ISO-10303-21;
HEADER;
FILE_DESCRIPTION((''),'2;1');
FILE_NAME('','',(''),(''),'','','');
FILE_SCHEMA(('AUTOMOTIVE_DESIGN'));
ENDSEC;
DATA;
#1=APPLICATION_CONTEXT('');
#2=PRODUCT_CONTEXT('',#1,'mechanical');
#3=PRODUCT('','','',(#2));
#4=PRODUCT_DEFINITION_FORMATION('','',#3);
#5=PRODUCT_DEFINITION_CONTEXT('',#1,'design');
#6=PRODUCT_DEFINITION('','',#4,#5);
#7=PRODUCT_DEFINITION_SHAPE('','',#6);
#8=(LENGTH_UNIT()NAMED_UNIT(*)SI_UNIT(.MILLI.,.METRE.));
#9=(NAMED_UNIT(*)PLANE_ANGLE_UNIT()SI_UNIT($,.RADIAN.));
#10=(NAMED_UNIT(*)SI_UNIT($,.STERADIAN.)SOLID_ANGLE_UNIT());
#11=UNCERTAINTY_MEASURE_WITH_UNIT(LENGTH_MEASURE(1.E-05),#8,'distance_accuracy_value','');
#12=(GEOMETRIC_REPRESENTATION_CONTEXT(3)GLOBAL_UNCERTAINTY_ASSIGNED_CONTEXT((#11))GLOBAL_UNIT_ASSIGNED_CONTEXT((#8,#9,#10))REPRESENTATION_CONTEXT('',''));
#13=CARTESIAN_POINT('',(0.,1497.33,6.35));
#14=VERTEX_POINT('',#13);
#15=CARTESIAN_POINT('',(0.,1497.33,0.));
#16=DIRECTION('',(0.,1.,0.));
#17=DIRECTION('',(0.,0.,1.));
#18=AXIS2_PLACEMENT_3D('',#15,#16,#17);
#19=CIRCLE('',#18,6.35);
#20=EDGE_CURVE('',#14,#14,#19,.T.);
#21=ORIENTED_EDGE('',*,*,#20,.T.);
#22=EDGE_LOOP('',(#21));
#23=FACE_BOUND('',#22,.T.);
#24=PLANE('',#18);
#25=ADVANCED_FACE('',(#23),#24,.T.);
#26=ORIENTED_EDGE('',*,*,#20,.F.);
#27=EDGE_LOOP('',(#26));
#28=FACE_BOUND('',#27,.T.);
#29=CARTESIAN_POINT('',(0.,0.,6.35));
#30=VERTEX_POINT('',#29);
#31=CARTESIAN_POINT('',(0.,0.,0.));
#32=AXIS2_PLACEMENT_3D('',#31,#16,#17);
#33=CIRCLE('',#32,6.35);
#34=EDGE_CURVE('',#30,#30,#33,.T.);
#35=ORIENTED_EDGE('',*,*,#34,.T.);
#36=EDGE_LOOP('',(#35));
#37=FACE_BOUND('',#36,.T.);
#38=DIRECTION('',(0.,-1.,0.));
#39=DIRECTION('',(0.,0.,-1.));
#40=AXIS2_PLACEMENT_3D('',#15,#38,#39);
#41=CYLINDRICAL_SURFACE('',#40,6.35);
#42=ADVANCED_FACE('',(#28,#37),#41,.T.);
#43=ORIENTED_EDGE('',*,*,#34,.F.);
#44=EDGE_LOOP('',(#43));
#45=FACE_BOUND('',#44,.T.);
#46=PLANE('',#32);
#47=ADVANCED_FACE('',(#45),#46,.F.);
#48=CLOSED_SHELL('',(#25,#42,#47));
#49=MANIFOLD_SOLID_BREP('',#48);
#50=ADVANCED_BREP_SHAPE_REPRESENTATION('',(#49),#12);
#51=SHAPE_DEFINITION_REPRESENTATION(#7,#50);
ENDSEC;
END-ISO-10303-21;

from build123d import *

# Parameters (mm, degrees)
SKETCH1_R           = 6.35
BOSS_EXTRUDE1_DEPTH = 1497.33


with BuildPart() as part:
    # Sketch1 → Boss-Extrude1 (new body)
    with BuildSketch(Plane(origin=(0, 0, 0), x_dir=(-1, 0, 0), z_dir=(0, 1, 0))):
        Circle(SKETCH1_R)
    extrude(amount=BOSS_EXTRUDE1_DEPTH)


solid = part.part
